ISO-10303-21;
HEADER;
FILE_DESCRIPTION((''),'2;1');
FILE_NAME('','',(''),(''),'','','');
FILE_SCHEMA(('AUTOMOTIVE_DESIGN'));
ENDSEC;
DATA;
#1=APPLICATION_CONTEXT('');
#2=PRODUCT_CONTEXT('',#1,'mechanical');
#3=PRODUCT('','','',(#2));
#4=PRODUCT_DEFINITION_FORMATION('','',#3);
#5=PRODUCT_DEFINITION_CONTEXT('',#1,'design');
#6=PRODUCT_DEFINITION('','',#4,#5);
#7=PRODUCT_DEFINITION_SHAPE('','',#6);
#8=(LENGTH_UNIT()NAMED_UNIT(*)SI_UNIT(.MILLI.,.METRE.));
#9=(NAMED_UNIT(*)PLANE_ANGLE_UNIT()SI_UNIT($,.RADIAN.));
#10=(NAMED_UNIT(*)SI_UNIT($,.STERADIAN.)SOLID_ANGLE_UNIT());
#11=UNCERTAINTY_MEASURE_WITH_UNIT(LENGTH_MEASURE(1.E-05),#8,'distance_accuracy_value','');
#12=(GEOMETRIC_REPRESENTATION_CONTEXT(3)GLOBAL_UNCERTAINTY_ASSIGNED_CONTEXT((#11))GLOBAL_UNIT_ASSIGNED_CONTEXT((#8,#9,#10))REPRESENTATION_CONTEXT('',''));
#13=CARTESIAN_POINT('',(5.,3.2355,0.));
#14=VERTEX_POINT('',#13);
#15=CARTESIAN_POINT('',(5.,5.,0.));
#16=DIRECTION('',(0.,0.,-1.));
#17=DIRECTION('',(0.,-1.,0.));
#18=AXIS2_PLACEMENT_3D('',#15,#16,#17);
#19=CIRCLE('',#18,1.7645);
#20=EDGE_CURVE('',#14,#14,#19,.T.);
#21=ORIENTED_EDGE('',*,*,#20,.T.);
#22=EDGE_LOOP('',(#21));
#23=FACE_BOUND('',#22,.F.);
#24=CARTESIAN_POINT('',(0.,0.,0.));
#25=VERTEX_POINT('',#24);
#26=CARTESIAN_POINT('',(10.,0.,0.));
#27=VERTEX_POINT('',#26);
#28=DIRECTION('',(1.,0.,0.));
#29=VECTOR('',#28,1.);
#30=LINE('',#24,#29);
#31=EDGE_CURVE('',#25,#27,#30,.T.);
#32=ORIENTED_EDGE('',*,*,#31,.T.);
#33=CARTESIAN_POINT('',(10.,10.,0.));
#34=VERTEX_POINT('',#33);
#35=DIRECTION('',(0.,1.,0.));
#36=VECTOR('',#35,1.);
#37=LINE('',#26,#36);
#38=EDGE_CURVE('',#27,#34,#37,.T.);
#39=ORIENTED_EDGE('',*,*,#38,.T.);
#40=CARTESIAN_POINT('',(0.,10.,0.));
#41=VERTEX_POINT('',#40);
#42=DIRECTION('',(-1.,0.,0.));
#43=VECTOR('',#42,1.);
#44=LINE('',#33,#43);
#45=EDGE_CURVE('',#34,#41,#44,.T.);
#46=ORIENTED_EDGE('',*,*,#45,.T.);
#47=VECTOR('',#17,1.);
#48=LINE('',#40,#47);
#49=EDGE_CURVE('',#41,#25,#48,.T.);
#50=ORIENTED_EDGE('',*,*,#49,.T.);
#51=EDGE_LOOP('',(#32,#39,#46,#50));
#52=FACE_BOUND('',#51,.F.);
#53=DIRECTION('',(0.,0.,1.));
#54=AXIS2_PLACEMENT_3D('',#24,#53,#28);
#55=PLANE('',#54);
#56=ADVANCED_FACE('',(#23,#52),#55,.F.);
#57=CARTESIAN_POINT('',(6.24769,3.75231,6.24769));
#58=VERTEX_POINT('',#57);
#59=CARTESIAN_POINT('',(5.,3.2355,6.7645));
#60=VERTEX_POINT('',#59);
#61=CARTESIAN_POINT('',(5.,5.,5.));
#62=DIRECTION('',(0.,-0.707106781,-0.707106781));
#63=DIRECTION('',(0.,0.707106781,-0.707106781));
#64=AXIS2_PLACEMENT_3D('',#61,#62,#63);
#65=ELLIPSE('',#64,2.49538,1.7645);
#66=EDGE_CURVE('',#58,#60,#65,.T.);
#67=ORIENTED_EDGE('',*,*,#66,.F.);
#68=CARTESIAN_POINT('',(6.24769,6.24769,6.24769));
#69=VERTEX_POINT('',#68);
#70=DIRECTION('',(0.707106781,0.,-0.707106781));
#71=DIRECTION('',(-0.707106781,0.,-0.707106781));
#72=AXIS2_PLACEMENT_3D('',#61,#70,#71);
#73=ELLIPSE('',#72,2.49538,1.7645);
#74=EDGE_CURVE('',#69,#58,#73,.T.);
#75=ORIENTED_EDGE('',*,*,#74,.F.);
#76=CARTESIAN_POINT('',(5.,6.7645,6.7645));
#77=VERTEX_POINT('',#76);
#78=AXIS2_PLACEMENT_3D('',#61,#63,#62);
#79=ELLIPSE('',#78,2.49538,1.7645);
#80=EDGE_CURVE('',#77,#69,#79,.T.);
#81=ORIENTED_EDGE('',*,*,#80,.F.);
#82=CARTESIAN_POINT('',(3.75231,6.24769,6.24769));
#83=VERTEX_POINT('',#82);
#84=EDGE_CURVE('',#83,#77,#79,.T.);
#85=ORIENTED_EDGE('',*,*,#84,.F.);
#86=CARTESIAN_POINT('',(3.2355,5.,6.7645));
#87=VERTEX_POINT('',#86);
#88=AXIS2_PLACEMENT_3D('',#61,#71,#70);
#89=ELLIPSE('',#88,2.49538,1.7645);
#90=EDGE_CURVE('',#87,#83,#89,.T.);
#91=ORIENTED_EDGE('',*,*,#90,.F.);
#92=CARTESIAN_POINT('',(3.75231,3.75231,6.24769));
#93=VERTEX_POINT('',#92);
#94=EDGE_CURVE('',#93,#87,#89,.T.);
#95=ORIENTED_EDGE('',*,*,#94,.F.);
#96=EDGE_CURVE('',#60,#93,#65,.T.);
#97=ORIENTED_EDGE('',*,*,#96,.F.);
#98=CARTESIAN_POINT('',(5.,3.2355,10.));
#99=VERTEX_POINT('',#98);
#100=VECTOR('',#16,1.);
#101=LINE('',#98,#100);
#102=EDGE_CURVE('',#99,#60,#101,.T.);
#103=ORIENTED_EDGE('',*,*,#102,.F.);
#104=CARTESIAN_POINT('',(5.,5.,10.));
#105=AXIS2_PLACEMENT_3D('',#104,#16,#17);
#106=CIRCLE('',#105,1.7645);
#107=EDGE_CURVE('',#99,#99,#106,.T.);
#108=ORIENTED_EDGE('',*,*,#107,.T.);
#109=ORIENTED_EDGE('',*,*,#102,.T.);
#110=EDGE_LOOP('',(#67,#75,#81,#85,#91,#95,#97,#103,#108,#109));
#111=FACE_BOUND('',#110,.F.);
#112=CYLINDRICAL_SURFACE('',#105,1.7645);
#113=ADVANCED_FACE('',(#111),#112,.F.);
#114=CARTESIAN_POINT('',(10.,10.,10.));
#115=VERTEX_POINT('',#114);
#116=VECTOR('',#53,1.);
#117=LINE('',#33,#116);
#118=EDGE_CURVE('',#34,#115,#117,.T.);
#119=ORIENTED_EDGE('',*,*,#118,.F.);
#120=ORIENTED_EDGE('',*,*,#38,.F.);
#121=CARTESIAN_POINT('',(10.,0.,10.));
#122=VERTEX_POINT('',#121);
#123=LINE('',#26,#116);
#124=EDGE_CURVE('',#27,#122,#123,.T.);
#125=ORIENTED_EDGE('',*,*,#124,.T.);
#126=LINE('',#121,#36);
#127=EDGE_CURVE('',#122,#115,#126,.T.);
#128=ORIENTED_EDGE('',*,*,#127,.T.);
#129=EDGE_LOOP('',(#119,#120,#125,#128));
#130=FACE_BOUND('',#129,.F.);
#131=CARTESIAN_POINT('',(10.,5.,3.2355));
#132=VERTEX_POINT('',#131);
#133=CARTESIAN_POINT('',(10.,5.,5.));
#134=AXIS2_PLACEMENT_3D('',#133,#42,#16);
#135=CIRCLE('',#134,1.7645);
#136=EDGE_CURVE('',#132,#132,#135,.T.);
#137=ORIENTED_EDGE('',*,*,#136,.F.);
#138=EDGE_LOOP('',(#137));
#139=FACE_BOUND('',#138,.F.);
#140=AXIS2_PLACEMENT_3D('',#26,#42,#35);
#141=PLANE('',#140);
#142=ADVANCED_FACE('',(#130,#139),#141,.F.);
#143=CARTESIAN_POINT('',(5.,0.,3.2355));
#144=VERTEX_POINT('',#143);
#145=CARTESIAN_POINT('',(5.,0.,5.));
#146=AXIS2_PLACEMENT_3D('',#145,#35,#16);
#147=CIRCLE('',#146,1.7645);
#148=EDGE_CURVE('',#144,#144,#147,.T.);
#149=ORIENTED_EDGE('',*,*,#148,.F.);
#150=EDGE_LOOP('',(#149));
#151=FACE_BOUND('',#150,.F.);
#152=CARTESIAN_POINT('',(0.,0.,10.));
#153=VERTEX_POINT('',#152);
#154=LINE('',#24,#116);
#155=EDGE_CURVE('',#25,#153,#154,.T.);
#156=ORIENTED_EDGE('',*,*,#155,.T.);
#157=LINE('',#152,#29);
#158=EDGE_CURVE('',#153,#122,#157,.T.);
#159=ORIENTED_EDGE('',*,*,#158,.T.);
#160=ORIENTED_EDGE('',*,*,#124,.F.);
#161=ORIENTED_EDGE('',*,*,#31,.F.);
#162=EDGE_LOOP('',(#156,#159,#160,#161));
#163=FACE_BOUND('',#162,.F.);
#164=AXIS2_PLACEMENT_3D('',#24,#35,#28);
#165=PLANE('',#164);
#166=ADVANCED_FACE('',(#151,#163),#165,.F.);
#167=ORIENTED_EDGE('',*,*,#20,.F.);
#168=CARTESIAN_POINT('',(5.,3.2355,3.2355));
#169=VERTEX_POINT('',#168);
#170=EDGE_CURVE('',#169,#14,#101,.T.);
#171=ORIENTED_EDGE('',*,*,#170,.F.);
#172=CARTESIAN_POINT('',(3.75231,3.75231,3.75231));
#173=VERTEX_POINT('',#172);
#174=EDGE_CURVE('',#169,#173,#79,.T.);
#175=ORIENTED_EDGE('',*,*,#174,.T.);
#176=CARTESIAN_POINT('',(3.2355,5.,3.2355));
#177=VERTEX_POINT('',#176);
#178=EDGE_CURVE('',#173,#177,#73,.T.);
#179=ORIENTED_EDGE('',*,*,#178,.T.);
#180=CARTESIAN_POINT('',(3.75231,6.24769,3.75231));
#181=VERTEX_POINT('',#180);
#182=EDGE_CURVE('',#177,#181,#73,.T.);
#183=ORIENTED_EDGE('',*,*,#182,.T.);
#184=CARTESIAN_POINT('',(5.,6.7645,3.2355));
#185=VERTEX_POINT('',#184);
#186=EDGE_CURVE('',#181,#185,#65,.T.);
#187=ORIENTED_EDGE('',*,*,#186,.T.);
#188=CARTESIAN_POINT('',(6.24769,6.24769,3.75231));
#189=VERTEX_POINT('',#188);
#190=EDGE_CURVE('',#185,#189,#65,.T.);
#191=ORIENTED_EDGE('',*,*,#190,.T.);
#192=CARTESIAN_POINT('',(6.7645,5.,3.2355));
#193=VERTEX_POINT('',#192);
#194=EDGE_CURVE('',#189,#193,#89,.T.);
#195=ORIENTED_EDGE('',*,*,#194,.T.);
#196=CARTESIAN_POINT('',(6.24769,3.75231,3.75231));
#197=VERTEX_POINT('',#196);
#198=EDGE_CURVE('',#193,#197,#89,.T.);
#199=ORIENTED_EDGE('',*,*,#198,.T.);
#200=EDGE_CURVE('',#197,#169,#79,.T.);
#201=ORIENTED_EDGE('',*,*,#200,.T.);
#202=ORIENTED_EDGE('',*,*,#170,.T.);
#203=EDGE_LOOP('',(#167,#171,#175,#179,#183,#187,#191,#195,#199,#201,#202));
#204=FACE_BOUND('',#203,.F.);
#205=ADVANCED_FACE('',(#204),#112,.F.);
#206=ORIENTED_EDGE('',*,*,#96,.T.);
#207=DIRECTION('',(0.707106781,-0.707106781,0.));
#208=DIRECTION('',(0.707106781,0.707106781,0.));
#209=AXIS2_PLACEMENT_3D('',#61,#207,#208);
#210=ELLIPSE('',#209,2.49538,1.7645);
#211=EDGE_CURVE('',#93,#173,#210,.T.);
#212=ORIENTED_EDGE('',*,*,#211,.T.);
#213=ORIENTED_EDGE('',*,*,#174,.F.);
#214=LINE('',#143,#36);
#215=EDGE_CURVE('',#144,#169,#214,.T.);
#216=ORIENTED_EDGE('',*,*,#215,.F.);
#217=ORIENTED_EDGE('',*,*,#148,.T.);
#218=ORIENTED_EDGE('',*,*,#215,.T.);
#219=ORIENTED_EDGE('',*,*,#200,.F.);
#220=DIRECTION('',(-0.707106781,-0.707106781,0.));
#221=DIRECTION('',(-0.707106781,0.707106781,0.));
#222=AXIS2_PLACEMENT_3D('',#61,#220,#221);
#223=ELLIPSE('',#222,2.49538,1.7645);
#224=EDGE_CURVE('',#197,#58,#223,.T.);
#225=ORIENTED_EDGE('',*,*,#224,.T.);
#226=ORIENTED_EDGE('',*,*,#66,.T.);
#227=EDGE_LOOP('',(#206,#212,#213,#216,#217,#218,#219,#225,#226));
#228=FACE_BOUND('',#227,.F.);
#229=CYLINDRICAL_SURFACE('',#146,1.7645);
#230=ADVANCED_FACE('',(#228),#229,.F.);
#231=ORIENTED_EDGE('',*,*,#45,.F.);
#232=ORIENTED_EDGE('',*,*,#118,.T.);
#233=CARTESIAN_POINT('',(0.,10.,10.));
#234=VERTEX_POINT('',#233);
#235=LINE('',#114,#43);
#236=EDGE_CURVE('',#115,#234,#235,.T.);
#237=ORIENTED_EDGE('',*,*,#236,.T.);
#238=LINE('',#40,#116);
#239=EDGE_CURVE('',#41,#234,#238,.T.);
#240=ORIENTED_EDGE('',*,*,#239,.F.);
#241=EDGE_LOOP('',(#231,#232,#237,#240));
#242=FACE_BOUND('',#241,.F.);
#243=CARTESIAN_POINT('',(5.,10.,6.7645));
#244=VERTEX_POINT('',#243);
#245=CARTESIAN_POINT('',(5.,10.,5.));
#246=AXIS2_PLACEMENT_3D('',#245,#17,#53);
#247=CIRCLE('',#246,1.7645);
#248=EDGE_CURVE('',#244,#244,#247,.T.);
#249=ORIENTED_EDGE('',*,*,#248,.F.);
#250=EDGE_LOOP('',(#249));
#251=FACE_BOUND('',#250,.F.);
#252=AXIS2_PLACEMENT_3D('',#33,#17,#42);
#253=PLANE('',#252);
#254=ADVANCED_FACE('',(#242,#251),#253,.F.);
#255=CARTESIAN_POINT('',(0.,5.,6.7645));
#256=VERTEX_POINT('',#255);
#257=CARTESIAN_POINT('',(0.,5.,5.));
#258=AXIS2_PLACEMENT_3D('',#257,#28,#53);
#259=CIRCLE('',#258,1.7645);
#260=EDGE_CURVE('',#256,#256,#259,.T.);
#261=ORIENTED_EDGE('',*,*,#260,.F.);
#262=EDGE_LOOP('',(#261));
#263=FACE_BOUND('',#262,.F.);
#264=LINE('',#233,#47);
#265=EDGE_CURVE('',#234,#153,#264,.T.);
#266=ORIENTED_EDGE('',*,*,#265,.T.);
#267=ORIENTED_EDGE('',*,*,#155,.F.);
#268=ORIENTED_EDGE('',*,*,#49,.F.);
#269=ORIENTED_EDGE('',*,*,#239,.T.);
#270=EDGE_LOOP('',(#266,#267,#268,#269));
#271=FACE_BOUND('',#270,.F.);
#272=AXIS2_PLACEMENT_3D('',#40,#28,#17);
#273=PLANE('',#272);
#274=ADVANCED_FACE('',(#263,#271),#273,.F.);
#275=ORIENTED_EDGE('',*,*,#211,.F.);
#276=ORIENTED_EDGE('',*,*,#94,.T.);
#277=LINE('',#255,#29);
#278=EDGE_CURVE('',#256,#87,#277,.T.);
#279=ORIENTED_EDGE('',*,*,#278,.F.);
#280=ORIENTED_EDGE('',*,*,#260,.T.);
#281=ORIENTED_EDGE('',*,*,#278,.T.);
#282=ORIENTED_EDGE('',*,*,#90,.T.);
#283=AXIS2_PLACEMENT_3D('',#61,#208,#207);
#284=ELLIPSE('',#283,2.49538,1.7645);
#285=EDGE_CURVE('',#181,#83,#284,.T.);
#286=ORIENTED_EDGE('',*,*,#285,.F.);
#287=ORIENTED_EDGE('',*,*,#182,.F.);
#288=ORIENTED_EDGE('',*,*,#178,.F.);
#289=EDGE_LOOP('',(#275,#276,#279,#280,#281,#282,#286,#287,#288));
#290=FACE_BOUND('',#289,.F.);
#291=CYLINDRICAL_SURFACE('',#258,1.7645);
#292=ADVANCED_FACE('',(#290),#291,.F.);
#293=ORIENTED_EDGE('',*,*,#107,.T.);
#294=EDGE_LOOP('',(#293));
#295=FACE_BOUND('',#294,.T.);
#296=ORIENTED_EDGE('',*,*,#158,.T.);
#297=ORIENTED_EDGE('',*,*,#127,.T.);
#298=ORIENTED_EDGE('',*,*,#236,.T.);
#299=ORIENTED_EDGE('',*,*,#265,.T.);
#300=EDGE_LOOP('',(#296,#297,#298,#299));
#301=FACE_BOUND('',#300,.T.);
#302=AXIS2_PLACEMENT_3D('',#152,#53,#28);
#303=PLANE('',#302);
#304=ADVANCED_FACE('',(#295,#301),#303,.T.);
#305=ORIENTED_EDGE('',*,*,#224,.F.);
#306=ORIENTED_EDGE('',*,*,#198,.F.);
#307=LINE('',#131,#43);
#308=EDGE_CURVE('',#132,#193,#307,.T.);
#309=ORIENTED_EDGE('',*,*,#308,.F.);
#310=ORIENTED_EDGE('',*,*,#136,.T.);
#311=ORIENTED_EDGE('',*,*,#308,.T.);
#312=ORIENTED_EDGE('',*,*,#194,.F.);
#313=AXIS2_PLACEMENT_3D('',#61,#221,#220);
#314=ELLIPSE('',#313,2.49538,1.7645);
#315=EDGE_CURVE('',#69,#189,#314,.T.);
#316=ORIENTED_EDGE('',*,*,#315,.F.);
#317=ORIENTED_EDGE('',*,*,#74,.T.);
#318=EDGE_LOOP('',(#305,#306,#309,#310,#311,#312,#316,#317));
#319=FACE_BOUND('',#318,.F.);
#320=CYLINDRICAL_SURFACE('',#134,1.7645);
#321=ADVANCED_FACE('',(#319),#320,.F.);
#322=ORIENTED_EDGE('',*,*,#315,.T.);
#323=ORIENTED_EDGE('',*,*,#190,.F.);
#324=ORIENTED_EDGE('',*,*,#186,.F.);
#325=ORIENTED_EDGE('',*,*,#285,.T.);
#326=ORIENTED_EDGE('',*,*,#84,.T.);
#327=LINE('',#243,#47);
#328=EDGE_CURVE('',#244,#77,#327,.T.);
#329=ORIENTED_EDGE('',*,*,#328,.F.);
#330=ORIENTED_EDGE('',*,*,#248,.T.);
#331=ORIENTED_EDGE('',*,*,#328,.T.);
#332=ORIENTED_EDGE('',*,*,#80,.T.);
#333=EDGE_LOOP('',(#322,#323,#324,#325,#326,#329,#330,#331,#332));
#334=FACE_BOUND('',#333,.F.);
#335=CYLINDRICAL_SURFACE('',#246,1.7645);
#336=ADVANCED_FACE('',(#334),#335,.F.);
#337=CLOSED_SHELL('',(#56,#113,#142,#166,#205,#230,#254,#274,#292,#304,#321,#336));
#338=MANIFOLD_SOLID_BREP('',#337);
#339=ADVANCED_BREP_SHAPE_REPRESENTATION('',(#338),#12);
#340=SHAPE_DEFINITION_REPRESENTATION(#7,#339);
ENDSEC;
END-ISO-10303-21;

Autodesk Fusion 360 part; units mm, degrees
sketch "草图1" plane through (0, 0, 0) normal (0, 0, 1) x (1, 0, 0)
  line L0 (0, 0) -> (10, 0)
  line L1 (10, 0) -> (10, 10)
  line L2 (10, 10) -> (0, 10)
  line L3 (0, 10) -> (0, 0)
extrude "拉伸1" add sketch "草图1" along normal blind 10
hole "孔1" at (5, 5, 10) direction (0, 0, -1) diameter 3.529 depth 10 tip angle 180
hole "孔2" at (0, 5, 5) direction (1, 0, 0) diameter 3.529 depth 5 tip angle 180
hole "孔3" at (10, 5, 5) direction (-1, 0, 0) diameter 3.529 depth 5 tip angle 180
hole "孔4" at (5, 10, 5) direction (0, -1, 0) diameter 3.529 depth 5 tip angle 180
hole "孔5" at (5, 0, 5) direction (0, 1, 0) diameter 3.529 depth 5 tip angle 180
